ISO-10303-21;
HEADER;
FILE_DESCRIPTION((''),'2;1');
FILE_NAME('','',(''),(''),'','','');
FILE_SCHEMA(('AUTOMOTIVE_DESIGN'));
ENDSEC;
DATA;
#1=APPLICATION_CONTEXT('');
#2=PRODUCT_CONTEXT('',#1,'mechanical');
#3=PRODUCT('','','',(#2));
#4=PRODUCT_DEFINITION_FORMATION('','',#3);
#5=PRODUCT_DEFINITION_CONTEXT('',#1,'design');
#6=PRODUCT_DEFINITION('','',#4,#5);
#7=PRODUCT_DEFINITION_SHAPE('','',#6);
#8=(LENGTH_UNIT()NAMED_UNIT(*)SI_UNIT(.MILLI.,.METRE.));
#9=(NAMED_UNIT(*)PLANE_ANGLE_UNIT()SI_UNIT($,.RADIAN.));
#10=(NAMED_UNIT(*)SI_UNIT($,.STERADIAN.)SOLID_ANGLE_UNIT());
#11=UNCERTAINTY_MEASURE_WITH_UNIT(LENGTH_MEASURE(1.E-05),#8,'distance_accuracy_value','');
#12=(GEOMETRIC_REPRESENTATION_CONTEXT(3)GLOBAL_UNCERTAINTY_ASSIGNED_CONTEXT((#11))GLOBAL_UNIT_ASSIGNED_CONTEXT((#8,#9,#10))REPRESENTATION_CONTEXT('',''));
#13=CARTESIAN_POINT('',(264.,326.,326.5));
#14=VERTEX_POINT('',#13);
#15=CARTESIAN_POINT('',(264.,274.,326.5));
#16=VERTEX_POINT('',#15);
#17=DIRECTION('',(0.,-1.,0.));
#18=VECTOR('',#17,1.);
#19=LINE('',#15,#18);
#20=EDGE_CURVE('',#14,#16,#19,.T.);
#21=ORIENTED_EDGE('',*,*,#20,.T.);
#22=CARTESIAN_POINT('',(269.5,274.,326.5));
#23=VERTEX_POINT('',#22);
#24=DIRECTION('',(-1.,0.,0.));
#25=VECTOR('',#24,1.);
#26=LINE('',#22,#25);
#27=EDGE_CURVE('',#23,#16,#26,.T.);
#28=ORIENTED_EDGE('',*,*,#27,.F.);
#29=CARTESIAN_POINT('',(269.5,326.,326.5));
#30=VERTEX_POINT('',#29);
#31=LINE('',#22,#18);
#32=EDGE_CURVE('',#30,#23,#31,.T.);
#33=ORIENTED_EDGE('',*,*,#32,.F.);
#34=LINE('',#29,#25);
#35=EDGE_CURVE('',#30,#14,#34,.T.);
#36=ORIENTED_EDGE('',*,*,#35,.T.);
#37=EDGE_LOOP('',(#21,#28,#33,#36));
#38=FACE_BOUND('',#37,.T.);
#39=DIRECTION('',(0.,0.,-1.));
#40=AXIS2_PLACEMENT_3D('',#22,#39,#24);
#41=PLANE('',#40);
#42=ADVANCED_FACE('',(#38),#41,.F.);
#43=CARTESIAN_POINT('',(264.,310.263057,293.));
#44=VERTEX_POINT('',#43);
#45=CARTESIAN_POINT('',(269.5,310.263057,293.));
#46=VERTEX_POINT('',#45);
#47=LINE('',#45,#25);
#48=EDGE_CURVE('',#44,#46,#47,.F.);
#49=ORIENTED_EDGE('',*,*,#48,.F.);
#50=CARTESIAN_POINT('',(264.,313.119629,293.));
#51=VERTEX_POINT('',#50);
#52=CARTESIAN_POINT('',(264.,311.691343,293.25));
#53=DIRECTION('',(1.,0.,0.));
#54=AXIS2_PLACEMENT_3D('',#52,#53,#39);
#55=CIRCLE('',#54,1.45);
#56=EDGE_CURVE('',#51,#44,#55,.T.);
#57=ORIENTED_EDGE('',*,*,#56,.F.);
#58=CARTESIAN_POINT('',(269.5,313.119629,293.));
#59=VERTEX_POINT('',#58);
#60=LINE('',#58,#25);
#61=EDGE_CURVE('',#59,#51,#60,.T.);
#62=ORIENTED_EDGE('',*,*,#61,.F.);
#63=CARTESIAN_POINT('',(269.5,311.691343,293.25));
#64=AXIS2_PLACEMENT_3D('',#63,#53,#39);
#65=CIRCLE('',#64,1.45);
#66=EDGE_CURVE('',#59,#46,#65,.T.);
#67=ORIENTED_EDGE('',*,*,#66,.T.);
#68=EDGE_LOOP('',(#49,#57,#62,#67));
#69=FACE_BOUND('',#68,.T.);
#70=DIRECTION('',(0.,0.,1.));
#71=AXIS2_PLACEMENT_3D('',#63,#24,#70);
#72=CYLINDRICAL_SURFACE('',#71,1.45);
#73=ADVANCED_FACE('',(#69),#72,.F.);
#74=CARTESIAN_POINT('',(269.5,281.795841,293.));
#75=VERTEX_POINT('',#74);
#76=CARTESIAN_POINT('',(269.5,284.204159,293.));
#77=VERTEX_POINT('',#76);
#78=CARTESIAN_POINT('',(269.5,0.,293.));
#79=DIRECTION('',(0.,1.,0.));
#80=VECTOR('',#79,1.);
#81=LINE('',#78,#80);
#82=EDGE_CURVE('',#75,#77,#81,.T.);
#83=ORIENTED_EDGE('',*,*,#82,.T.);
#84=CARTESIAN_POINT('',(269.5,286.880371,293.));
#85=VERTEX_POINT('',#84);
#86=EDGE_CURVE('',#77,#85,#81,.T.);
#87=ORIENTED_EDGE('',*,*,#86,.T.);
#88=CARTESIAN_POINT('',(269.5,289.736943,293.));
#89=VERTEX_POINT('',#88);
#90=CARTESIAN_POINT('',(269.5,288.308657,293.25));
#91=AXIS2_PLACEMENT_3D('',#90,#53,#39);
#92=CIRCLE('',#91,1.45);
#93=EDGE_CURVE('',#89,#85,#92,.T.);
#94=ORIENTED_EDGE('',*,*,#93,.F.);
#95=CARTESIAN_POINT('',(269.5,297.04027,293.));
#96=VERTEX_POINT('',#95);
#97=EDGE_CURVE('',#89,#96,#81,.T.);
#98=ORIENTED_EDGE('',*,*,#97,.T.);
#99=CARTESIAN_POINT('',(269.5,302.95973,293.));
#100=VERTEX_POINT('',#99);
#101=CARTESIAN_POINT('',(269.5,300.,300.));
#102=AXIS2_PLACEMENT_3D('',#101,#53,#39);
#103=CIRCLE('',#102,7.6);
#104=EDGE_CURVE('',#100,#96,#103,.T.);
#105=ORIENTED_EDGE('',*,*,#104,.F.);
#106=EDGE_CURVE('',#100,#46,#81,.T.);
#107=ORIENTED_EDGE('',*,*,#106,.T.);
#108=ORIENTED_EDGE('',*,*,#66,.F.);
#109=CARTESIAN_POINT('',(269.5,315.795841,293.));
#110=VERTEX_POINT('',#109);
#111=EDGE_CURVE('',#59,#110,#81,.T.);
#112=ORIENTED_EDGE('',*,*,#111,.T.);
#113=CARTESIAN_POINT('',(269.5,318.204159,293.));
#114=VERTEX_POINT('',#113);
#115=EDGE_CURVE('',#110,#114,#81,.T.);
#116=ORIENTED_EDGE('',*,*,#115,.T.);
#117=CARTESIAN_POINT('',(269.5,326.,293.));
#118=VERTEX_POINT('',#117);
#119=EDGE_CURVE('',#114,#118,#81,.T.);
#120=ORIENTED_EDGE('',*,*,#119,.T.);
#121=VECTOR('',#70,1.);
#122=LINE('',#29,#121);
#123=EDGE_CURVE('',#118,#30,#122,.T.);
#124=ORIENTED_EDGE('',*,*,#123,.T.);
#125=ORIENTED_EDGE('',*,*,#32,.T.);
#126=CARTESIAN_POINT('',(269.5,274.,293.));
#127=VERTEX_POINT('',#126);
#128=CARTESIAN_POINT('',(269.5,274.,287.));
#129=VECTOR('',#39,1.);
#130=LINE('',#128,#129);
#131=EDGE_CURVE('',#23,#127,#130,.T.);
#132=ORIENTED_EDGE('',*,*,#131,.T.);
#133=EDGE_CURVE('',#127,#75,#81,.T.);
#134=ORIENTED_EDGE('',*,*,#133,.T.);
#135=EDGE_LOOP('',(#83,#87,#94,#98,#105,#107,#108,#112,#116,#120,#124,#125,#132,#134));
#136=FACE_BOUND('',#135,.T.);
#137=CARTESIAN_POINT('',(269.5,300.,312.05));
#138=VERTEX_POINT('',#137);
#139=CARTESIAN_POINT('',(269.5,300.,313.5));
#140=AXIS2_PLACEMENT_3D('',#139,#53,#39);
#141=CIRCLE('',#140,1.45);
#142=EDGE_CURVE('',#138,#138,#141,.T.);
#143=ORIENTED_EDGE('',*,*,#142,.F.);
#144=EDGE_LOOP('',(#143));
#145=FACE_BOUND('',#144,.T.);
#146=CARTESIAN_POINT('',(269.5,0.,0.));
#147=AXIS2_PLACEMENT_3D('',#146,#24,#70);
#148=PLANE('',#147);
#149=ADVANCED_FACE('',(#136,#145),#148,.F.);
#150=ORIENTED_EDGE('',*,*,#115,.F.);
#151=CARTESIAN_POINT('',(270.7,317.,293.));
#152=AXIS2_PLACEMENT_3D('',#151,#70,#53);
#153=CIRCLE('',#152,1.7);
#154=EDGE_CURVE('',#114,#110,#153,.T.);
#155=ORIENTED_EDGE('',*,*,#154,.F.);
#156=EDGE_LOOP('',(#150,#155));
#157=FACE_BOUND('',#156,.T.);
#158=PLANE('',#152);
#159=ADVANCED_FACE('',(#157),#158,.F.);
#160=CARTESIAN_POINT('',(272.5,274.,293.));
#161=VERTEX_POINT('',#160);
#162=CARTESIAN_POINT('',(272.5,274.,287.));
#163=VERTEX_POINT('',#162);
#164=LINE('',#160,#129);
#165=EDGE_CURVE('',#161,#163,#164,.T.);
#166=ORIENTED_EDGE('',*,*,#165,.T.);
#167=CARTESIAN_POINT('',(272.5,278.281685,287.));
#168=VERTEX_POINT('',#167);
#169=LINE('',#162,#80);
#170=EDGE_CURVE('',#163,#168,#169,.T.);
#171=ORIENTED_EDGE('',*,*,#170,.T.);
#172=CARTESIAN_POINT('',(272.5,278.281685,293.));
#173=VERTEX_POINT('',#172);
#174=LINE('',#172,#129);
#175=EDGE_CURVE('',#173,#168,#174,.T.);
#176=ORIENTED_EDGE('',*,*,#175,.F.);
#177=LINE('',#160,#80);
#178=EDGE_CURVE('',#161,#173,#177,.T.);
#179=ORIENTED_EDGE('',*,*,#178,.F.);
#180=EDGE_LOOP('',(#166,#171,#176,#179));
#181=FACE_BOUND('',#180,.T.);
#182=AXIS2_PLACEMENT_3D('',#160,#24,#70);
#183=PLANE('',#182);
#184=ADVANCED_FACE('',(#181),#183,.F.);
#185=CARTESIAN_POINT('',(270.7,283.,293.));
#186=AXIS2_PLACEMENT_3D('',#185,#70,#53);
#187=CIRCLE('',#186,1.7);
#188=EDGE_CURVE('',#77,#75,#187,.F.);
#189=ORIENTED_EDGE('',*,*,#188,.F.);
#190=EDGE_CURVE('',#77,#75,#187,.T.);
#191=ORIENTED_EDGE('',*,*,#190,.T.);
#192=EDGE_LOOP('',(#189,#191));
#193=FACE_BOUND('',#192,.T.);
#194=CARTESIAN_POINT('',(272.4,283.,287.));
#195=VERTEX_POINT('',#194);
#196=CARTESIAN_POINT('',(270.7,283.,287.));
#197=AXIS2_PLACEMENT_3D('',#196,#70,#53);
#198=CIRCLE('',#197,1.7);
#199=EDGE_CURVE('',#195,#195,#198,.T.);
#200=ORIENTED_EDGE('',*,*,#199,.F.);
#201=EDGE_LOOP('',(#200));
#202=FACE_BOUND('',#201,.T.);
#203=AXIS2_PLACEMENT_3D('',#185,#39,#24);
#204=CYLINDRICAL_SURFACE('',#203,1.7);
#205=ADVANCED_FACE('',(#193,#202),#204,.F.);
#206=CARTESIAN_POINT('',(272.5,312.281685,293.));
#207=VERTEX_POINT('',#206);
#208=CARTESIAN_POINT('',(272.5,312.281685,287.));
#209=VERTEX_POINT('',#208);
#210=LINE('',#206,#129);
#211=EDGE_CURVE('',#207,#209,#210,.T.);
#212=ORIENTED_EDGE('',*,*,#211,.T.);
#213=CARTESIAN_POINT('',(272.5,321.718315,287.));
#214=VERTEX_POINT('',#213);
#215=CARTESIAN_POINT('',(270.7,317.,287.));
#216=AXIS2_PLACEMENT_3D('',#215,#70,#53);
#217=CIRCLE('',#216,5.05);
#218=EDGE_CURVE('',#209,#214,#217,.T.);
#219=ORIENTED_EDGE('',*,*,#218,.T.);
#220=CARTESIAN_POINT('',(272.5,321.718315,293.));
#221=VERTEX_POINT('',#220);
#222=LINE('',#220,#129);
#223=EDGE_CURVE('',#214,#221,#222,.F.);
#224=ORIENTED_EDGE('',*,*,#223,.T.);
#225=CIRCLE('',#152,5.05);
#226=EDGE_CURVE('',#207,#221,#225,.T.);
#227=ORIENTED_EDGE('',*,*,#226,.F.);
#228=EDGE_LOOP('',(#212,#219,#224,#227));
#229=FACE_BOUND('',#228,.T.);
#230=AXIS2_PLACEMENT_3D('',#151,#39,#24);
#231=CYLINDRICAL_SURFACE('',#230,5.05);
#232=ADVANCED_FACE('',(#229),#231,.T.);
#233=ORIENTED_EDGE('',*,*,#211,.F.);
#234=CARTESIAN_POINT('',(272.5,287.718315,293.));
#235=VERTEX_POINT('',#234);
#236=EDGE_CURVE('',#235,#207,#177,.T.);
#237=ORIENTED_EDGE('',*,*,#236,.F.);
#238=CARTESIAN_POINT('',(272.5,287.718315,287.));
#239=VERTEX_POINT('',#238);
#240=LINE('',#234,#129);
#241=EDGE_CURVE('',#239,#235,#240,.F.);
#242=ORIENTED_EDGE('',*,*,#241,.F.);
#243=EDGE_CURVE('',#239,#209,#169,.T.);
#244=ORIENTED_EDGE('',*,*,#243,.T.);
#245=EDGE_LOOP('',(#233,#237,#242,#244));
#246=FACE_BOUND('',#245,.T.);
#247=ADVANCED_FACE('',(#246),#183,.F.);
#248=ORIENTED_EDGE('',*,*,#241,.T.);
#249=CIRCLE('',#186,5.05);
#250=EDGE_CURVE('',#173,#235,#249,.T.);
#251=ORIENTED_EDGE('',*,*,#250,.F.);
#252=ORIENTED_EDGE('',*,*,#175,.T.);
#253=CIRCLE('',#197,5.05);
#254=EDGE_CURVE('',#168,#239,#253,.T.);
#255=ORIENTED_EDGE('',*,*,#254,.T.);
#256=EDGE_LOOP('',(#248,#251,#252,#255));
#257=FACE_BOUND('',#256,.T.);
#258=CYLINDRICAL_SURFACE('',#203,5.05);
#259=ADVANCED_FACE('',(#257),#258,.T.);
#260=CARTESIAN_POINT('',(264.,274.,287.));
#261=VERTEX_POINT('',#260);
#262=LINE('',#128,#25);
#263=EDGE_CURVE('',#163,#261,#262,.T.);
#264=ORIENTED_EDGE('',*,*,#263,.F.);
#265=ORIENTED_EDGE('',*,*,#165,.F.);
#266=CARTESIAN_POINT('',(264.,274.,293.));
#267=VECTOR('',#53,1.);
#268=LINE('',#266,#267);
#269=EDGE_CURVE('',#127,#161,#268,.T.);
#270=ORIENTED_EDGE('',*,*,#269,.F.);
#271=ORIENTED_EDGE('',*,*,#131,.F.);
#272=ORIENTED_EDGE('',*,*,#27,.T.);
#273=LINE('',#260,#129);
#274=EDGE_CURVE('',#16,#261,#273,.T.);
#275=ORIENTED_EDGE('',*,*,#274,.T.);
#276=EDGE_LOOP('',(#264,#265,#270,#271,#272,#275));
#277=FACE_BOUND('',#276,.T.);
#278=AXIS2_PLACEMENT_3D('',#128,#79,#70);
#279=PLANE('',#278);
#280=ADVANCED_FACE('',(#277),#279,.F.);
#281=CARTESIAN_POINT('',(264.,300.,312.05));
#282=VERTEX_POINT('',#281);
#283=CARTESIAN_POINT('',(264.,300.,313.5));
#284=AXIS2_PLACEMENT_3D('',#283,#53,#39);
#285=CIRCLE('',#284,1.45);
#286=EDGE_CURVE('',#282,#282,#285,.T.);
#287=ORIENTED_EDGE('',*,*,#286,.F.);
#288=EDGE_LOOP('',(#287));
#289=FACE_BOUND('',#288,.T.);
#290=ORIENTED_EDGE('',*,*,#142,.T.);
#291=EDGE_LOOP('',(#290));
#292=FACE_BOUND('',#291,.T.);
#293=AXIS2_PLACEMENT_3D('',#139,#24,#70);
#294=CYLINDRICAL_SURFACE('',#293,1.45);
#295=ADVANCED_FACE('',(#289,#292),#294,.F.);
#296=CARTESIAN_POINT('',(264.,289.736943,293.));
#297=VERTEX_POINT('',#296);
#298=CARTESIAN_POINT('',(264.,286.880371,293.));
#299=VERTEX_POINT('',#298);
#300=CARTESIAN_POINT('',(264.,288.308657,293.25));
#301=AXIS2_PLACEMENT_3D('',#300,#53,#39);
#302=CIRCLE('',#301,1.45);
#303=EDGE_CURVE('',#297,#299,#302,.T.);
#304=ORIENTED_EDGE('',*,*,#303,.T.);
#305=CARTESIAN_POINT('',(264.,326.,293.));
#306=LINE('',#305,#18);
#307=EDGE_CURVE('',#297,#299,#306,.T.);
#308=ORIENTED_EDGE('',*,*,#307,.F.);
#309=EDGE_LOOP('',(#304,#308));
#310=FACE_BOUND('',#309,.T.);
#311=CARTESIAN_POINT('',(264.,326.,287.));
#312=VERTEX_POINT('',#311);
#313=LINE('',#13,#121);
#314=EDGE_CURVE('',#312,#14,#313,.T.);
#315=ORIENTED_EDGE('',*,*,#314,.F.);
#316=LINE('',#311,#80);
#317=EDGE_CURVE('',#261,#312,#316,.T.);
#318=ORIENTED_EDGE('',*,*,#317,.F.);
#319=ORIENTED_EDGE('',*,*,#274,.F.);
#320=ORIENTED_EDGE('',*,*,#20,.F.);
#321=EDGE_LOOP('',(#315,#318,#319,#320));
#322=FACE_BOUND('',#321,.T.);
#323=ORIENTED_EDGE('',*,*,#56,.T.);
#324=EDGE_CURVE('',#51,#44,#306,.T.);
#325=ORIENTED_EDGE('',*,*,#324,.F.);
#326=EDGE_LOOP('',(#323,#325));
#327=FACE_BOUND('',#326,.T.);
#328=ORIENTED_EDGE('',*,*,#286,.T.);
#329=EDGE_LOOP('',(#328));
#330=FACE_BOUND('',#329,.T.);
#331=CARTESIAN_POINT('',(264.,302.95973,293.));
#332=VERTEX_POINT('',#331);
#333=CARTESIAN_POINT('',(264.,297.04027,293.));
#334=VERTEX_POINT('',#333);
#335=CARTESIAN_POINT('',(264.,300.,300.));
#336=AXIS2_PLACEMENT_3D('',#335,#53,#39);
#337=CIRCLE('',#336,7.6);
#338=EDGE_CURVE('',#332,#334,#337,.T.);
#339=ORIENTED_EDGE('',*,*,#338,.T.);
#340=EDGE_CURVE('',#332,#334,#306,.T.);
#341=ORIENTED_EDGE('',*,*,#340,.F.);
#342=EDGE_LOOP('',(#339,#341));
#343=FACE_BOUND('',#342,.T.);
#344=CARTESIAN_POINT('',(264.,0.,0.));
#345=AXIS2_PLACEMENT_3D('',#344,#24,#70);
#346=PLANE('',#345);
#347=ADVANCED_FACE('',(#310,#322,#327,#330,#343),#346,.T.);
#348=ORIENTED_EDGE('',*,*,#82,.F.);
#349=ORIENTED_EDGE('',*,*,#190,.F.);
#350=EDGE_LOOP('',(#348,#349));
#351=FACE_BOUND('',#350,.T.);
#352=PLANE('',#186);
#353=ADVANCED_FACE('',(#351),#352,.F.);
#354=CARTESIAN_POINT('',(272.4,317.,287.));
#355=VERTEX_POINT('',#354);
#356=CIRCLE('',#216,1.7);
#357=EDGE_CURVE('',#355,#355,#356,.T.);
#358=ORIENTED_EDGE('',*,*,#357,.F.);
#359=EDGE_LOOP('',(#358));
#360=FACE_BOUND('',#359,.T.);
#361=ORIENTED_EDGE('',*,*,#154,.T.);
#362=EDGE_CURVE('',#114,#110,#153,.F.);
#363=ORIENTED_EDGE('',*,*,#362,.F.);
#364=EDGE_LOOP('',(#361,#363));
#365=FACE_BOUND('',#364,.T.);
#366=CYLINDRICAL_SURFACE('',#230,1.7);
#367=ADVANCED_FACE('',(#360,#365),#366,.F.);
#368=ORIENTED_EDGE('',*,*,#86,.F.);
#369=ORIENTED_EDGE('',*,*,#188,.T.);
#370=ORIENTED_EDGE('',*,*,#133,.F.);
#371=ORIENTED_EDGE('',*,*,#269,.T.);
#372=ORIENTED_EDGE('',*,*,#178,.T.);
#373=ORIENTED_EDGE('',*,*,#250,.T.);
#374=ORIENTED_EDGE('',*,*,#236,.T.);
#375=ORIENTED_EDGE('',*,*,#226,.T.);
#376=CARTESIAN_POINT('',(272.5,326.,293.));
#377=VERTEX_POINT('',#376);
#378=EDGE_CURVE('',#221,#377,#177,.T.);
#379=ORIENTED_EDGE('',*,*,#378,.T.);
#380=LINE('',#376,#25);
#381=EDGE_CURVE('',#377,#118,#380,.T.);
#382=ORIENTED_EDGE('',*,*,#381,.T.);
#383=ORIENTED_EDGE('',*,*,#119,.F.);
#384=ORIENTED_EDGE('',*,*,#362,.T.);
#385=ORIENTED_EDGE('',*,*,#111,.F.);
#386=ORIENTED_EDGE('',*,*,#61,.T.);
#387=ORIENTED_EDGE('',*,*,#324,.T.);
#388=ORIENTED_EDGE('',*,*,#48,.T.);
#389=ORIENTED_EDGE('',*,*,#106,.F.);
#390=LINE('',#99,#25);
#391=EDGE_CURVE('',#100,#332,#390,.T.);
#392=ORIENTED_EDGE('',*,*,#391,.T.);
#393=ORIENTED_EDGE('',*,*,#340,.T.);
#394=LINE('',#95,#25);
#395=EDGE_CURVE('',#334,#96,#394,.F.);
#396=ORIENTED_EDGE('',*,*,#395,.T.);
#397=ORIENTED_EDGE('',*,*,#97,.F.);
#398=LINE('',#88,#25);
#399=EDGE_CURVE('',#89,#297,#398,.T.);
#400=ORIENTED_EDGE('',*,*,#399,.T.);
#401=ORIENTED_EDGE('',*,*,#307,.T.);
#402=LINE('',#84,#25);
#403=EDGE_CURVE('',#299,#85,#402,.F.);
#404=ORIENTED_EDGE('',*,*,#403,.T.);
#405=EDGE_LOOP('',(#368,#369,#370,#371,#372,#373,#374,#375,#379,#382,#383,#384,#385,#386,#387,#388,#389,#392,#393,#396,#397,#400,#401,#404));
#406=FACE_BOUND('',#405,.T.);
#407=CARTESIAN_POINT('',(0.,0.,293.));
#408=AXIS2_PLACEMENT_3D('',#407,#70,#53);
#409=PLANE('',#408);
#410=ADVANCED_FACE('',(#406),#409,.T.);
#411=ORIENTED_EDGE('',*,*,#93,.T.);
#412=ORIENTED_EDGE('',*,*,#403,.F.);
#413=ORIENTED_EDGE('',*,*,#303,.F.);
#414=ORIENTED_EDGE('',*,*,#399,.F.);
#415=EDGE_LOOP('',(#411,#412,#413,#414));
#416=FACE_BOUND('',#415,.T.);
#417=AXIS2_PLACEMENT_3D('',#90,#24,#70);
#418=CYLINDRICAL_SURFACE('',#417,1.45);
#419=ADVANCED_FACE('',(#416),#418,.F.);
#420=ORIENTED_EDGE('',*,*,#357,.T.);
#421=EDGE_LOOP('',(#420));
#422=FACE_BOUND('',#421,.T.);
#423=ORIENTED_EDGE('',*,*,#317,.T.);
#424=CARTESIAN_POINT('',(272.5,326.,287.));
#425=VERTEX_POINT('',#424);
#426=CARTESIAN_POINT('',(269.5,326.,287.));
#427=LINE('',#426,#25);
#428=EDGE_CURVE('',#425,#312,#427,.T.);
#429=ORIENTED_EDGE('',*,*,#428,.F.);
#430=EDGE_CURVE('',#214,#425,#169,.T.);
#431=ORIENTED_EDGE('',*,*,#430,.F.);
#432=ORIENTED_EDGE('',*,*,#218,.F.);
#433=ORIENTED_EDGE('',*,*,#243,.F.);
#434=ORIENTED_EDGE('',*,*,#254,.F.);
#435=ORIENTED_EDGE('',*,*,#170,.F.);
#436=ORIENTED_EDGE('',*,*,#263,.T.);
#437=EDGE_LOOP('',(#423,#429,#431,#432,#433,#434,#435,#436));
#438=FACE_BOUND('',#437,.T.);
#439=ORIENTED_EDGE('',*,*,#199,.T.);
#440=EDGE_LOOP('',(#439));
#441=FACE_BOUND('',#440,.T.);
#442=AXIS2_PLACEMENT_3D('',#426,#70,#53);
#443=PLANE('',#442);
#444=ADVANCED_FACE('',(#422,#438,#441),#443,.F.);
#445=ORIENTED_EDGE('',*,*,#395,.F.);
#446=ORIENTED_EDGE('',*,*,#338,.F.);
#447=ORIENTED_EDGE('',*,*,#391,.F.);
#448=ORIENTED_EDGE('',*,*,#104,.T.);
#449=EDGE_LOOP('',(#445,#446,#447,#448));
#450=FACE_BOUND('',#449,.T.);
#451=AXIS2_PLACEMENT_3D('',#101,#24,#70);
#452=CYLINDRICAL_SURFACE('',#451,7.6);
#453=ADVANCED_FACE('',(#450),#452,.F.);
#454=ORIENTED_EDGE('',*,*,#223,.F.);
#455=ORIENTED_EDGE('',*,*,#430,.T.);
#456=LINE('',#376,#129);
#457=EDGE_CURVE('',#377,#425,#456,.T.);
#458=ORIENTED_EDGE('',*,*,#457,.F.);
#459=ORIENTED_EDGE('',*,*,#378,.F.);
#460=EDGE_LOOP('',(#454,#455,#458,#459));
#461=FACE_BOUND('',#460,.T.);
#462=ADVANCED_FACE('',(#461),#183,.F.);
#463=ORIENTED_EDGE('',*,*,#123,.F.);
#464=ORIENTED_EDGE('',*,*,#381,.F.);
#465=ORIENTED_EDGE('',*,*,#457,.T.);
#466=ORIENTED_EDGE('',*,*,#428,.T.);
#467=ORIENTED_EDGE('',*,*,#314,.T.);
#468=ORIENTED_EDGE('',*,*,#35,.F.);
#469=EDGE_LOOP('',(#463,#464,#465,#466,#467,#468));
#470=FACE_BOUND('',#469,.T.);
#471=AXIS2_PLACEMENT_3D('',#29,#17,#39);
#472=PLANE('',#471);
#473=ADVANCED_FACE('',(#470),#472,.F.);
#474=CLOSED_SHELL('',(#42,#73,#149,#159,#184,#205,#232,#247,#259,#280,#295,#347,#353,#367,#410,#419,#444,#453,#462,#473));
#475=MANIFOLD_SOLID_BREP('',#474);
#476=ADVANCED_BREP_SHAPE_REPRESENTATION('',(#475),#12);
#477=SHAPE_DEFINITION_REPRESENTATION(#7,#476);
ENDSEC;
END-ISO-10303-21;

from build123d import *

# Parameters (mm, degrees)
SKETCH1_W           = 39.5
SKETCH1_H           = 52
SKETCH1_R           = 1.45
BOSS_EXTRUDE1_DEPTH = 5.5
SKETCH2_R           = 7.6
CUT_EXTRUDE1_DEPTH  = 5.5
SKETCH3_W           = 8.5
SKETCH3_H           = 52
BOSS_EXTRUDE2_DEPTH = 6
SKETCH4_R           = 5.05
SKETCH4_R_2         = 1.7
BOSS_EXTRUDE3_DEPTH = 6
SKETCH5_R           = 5.05
SKETCH5_R_2         = 1.7
BOSS_EXTRUDE4_DEPTH = 6
SKETCH6_R           = 1.7
CUT_EXTRUDE2_DEPTH  = 6


with BuildPart() as part:
    # Sketch1 → Boss-Extrude1 (new body)
    with BuildSketch(Plane(origin=(264, 0, 0), x_dir=(0, 0, -1), z_dir=(1, 0, 0))):
        with Locations((-306.75, 300)):
            Rectangle(SKETCH1_W, SKETCH1_H)
        with Locations((-313.5, 300)):
            Circle(SKETCH1_R, mode=Mode.SUBTRACT)
        with Locations((-293.25, 311.691342951)):
            Circle(SKETCH1_R, mode=Mode.SUBTRACT)
        with Locations((-293.25, 288.308657049)):
            Circle(SKETCH1_R, mode=Mode.SUBTRACT)
    extrude(amount=BOSS_EXTRUDE1_DEPTH)

    # Sketch2 → Cut-Extrude1 (cut)
    with BuildSketch(Plane(origin=(264, 0, 0), x_dir=(0, 0, -1), z_dir=(1, 0, 0))):
        with Locations((-300, 300)):
            Circle(SKETCH2_R)
    extrude(amount=CUT_EXTRUDE1_DEPTH, mode=Mode.SUBTRACT)

    # Sketch3 → Boss-Extrude2 (add)
    with BuildSketch(Plane.XY.offset(287)):
        with Locations((268.25, 300)):
            Rectangle(SKETCH3_W, SKETCH3_H)
    extrude(amount=BOSS_EXTRUDE2_DEPTH)

    # Sketch4 → Boss-Extrude3 (add)
    with BuildSketch(Plane.XY.offset(287)):
        with Locations((270.7, 283)):
            Circle(SKETCH4_R)
        with Locations((270.7, 283)):
            Circle(SKETCH4_R_2, mode=Mode.SUBTRACT)
    extrude(amount=BOSS_EXTRUDE3_DEPTH)

    # Sketch5 → Boss-Extrude4 (add)
    with BuildSketch(Plane.XY.offset(287)):
        with Locations((270.7, 317)):
            Circle(SKETCH5_R)
        with Locations((270.7, 317)):
            Circle(SKETCH5_R_2, mode=Mode.SUBTRACT)
    extrude(amount=BOSS_EXTRUDE4_DEPTH)

    # Sketch6 → Cut-Extrude2 (cut)
    with BuildSketch(Plane.XY.offset(287)):
        with Locations(Location((270.7, 283, 0), (0, 0, 225.099127844))):
            Circle(SKETCH6_R)
        with Locations(Location((270.7, 317, 0), (0, 0, 225.099127844))):
            Circle(SKETCH6_R)
    extrude(amount=CUT_EXTRUDE2_DEPTH, mode=Mode.SUBTRACT)


solid = part.part
